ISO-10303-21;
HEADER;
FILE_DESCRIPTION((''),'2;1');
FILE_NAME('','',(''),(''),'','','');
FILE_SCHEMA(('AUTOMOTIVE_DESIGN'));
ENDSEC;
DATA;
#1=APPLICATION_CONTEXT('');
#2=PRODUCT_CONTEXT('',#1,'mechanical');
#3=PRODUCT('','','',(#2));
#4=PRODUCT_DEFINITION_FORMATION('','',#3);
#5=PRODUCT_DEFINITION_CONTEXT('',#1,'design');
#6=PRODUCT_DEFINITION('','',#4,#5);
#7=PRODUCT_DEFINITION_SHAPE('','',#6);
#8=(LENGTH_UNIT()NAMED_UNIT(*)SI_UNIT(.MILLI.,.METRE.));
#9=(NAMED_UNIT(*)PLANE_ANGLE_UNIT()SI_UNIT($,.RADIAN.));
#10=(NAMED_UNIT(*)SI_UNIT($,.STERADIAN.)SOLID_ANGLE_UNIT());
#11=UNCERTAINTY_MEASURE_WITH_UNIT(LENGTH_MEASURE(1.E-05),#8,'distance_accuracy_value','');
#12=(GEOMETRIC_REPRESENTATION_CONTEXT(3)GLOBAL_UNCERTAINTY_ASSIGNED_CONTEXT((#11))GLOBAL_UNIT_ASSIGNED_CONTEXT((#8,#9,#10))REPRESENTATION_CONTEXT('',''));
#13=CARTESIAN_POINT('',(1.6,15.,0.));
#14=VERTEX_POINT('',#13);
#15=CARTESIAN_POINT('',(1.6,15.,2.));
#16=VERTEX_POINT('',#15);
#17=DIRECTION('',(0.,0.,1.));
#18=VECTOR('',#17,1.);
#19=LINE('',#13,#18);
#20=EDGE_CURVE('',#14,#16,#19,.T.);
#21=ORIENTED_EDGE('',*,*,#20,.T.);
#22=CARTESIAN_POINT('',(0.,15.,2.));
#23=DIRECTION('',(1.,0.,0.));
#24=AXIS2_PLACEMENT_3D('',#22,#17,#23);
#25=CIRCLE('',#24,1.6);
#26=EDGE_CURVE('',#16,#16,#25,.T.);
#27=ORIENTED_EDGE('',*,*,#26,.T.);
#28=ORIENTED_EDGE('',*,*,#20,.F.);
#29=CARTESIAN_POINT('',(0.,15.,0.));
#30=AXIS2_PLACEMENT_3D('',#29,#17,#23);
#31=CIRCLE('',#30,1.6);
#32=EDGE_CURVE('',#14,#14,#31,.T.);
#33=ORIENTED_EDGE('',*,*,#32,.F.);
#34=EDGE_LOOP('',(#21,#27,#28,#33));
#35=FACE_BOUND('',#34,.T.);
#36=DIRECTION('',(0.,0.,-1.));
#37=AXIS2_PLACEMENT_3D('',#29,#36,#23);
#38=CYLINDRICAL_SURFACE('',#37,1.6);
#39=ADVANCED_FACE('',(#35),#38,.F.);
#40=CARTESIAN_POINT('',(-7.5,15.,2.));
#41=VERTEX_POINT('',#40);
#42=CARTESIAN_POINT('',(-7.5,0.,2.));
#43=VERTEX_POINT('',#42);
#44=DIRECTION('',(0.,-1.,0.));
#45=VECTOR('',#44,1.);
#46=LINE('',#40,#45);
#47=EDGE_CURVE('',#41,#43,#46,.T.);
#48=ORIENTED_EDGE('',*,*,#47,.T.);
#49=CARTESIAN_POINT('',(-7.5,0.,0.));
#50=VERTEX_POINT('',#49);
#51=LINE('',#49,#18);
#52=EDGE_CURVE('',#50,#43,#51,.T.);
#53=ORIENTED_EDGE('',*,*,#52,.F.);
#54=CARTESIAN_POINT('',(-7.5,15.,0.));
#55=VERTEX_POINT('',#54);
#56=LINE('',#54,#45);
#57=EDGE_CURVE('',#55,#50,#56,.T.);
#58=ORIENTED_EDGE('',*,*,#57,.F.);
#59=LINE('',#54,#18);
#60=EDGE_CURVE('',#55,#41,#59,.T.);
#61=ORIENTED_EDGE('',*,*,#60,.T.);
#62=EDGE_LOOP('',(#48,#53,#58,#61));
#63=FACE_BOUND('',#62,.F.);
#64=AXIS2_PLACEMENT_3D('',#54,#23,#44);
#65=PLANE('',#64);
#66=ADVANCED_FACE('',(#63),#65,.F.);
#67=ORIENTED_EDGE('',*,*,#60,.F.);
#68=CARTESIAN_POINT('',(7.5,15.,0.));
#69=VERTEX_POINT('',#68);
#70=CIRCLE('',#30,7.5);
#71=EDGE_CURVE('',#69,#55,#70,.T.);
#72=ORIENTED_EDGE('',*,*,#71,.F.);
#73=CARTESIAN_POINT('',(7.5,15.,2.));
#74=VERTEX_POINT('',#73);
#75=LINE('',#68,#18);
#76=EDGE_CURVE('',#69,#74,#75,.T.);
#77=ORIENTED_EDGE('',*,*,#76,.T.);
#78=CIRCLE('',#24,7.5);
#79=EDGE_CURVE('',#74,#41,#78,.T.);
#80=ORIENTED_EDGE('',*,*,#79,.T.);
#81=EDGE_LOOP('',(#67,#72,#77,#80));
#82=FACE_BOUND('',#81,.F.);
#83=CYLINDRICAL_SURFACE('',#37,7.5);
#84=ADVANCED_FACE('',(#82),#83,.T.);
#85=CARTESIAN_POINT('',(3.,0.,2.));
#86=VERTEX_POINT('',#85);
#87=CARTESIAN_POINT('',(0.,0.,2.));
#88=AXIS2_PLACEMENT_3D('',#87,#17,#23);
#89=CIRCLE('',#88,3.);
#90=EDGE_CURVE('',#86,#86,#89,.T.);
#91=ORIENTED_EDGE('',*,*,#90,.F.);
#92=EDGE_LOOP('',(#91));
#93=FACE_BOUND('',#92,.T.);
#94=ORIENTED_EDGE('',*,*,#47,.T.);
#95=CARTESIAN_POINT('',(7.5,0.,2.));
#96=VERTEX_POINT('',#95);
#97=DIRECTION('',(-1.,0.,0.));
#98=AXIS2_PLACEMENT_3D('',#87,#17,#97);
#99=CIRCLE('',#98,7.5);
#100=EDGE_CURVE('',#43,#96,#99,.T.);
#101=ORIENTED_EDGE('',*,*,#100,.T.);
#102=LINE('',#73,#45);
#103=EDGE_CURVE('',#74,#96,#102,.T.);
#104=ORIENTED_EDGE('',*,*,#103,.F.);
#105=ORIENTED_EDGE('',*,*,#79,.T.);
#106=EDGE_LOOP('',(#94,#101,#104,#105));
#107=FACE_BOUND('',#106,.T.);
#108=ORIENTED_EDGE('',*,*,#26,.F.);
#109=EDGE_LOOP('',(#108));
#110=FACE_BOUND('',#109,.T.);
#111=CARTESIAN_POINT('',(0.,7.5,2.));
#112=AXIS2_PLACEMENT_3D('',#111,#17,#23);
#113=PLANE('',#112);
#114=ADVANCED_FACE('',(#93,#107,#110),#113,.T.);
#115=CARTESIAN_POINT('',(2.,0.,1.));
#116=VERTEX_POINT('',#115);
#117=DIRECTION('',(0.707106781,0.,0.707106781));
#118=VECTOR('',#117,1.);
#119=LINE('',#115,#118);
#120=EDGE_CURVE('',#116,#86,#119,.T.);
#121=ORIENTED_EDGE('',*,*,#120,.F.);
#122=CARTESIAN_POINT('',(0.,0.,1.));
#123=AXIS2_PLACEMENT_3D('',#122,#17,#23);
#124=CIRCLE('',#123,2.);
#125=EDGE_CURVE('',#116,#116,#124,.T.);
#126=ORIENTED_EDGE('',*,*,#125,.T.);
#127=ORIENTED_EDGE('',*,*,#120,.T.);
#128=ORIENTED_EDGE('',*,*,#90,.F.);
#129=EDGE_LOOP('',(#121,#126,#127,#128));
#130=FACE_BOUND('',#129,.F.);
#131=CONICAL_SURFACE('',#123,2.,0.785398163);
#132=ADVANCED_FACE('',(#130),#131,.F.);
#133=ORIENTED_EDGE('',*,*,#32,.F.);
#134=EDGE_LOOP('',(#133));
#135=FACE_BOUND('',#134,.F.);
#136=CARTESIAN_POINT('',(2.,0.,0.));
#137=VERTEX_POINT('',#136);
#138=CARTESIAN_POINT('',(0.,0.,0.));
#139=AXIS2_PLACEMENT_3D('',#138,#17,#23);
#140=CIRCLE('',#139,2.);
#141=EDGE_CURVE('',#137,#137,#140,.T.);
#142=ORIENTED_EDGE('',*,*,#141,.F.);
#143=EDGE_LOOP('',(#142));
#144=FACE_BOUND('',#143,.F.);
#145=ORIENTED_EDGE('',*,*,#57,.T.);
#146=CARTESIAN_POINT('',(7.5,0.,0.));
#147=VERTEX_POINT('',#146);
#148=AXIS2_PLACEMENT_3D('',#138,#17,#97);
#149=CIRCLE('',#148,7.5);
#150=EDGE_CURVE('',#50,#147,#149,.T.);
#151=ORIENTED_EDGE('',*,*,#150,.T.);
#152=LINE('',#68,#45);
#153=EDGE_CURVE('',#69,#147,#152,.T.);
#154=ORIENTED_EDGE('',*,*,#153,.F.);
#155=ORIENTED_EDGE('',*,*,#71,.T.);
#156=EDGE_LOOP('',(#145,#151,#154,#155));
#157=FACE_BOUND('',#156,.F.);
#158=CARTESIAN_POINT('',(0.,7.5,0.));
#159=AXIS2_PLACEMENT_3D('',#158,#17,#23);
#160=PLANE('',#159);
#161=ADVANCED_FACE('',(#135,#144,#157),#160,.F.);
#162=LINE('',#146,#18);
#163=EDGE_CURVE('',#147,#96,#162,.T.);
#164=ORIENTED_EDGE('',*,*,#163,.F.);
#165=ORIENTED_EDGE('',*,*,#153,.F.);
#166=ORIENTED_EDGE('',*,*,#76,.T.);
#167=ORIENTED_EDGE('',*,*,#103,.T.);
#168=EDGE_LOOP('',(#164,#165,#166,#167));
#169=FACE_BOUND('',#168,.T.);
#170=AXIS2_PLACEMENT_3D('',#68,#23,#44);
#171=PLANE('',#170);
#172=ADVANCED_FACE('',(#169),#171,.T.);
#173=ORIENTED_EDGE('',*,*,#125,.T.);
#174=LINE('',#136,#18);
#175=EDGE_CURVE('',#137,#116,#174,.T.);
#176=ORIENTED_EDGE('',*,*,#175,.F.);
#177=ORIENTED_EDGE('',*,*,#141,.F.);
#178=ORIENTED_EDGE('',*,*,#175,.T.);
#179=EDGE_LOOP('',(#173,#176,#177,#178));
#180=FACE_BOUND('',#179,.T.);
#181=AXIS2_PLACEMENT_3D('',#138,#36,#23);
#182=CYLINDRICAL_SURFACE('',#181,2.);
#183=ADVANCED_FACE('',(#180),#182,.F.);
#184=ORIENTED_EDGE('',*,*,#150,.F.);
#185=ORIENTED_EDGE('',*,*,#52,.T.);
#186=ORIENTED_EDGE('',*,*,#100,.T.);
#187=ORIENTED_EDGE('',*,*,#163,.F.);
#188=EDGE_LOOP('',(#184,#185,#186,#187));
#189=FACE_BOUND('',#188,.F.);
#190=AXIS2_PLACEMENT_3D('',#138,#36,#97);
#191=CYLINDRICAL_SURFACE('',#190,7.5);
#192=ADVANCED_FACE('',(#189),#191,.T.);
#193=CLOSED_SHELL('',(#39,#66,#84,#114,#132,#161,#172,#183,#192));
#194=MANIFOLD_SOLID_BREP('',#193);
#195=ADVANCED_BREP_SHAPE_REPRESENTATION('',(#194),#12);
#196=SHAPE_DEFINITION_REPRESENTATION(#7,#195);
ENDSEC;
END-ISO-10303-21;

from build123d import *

# Parameters (mm, degrees)
SKETCH_R     = 1.6
SKETCH_R_2   = 2
PAD_DEPTH    = 2
CHAMFER_SIZE = 1


with BuildPart() as part:
    # Sketch → Pad (new body)
    with BuildSketch(Plane.XY):
        with BuildLine():
            ThreePointArc((7.5, 15), (0, 22.5), (-7.5, 15))
            Line((-7.5, 15), (-7.5, 0))
            ThreePointArc((-7.5, 0), (0, -7.5), (7.5, 0))
            Line((7.5, 15), (7.5, 0))
        make_face()
        with Locations((0, 15)):
            Circle(SKETCH_R, mode=Mode.SUBTRACT)
        Circle(SKETCH_R_2, mode=Mode.SUBTRACT)
    extrude(amount=PAD_DEPTH)

    # Chamfer
    chamfer_edges = [part.edges().sort_by_distance(p)[0] for p in [
        (-2, 0, 2),
    ]]
    chamfer(chamfer_edges, length=CHAMFER_SIZE)


solid = part.part
